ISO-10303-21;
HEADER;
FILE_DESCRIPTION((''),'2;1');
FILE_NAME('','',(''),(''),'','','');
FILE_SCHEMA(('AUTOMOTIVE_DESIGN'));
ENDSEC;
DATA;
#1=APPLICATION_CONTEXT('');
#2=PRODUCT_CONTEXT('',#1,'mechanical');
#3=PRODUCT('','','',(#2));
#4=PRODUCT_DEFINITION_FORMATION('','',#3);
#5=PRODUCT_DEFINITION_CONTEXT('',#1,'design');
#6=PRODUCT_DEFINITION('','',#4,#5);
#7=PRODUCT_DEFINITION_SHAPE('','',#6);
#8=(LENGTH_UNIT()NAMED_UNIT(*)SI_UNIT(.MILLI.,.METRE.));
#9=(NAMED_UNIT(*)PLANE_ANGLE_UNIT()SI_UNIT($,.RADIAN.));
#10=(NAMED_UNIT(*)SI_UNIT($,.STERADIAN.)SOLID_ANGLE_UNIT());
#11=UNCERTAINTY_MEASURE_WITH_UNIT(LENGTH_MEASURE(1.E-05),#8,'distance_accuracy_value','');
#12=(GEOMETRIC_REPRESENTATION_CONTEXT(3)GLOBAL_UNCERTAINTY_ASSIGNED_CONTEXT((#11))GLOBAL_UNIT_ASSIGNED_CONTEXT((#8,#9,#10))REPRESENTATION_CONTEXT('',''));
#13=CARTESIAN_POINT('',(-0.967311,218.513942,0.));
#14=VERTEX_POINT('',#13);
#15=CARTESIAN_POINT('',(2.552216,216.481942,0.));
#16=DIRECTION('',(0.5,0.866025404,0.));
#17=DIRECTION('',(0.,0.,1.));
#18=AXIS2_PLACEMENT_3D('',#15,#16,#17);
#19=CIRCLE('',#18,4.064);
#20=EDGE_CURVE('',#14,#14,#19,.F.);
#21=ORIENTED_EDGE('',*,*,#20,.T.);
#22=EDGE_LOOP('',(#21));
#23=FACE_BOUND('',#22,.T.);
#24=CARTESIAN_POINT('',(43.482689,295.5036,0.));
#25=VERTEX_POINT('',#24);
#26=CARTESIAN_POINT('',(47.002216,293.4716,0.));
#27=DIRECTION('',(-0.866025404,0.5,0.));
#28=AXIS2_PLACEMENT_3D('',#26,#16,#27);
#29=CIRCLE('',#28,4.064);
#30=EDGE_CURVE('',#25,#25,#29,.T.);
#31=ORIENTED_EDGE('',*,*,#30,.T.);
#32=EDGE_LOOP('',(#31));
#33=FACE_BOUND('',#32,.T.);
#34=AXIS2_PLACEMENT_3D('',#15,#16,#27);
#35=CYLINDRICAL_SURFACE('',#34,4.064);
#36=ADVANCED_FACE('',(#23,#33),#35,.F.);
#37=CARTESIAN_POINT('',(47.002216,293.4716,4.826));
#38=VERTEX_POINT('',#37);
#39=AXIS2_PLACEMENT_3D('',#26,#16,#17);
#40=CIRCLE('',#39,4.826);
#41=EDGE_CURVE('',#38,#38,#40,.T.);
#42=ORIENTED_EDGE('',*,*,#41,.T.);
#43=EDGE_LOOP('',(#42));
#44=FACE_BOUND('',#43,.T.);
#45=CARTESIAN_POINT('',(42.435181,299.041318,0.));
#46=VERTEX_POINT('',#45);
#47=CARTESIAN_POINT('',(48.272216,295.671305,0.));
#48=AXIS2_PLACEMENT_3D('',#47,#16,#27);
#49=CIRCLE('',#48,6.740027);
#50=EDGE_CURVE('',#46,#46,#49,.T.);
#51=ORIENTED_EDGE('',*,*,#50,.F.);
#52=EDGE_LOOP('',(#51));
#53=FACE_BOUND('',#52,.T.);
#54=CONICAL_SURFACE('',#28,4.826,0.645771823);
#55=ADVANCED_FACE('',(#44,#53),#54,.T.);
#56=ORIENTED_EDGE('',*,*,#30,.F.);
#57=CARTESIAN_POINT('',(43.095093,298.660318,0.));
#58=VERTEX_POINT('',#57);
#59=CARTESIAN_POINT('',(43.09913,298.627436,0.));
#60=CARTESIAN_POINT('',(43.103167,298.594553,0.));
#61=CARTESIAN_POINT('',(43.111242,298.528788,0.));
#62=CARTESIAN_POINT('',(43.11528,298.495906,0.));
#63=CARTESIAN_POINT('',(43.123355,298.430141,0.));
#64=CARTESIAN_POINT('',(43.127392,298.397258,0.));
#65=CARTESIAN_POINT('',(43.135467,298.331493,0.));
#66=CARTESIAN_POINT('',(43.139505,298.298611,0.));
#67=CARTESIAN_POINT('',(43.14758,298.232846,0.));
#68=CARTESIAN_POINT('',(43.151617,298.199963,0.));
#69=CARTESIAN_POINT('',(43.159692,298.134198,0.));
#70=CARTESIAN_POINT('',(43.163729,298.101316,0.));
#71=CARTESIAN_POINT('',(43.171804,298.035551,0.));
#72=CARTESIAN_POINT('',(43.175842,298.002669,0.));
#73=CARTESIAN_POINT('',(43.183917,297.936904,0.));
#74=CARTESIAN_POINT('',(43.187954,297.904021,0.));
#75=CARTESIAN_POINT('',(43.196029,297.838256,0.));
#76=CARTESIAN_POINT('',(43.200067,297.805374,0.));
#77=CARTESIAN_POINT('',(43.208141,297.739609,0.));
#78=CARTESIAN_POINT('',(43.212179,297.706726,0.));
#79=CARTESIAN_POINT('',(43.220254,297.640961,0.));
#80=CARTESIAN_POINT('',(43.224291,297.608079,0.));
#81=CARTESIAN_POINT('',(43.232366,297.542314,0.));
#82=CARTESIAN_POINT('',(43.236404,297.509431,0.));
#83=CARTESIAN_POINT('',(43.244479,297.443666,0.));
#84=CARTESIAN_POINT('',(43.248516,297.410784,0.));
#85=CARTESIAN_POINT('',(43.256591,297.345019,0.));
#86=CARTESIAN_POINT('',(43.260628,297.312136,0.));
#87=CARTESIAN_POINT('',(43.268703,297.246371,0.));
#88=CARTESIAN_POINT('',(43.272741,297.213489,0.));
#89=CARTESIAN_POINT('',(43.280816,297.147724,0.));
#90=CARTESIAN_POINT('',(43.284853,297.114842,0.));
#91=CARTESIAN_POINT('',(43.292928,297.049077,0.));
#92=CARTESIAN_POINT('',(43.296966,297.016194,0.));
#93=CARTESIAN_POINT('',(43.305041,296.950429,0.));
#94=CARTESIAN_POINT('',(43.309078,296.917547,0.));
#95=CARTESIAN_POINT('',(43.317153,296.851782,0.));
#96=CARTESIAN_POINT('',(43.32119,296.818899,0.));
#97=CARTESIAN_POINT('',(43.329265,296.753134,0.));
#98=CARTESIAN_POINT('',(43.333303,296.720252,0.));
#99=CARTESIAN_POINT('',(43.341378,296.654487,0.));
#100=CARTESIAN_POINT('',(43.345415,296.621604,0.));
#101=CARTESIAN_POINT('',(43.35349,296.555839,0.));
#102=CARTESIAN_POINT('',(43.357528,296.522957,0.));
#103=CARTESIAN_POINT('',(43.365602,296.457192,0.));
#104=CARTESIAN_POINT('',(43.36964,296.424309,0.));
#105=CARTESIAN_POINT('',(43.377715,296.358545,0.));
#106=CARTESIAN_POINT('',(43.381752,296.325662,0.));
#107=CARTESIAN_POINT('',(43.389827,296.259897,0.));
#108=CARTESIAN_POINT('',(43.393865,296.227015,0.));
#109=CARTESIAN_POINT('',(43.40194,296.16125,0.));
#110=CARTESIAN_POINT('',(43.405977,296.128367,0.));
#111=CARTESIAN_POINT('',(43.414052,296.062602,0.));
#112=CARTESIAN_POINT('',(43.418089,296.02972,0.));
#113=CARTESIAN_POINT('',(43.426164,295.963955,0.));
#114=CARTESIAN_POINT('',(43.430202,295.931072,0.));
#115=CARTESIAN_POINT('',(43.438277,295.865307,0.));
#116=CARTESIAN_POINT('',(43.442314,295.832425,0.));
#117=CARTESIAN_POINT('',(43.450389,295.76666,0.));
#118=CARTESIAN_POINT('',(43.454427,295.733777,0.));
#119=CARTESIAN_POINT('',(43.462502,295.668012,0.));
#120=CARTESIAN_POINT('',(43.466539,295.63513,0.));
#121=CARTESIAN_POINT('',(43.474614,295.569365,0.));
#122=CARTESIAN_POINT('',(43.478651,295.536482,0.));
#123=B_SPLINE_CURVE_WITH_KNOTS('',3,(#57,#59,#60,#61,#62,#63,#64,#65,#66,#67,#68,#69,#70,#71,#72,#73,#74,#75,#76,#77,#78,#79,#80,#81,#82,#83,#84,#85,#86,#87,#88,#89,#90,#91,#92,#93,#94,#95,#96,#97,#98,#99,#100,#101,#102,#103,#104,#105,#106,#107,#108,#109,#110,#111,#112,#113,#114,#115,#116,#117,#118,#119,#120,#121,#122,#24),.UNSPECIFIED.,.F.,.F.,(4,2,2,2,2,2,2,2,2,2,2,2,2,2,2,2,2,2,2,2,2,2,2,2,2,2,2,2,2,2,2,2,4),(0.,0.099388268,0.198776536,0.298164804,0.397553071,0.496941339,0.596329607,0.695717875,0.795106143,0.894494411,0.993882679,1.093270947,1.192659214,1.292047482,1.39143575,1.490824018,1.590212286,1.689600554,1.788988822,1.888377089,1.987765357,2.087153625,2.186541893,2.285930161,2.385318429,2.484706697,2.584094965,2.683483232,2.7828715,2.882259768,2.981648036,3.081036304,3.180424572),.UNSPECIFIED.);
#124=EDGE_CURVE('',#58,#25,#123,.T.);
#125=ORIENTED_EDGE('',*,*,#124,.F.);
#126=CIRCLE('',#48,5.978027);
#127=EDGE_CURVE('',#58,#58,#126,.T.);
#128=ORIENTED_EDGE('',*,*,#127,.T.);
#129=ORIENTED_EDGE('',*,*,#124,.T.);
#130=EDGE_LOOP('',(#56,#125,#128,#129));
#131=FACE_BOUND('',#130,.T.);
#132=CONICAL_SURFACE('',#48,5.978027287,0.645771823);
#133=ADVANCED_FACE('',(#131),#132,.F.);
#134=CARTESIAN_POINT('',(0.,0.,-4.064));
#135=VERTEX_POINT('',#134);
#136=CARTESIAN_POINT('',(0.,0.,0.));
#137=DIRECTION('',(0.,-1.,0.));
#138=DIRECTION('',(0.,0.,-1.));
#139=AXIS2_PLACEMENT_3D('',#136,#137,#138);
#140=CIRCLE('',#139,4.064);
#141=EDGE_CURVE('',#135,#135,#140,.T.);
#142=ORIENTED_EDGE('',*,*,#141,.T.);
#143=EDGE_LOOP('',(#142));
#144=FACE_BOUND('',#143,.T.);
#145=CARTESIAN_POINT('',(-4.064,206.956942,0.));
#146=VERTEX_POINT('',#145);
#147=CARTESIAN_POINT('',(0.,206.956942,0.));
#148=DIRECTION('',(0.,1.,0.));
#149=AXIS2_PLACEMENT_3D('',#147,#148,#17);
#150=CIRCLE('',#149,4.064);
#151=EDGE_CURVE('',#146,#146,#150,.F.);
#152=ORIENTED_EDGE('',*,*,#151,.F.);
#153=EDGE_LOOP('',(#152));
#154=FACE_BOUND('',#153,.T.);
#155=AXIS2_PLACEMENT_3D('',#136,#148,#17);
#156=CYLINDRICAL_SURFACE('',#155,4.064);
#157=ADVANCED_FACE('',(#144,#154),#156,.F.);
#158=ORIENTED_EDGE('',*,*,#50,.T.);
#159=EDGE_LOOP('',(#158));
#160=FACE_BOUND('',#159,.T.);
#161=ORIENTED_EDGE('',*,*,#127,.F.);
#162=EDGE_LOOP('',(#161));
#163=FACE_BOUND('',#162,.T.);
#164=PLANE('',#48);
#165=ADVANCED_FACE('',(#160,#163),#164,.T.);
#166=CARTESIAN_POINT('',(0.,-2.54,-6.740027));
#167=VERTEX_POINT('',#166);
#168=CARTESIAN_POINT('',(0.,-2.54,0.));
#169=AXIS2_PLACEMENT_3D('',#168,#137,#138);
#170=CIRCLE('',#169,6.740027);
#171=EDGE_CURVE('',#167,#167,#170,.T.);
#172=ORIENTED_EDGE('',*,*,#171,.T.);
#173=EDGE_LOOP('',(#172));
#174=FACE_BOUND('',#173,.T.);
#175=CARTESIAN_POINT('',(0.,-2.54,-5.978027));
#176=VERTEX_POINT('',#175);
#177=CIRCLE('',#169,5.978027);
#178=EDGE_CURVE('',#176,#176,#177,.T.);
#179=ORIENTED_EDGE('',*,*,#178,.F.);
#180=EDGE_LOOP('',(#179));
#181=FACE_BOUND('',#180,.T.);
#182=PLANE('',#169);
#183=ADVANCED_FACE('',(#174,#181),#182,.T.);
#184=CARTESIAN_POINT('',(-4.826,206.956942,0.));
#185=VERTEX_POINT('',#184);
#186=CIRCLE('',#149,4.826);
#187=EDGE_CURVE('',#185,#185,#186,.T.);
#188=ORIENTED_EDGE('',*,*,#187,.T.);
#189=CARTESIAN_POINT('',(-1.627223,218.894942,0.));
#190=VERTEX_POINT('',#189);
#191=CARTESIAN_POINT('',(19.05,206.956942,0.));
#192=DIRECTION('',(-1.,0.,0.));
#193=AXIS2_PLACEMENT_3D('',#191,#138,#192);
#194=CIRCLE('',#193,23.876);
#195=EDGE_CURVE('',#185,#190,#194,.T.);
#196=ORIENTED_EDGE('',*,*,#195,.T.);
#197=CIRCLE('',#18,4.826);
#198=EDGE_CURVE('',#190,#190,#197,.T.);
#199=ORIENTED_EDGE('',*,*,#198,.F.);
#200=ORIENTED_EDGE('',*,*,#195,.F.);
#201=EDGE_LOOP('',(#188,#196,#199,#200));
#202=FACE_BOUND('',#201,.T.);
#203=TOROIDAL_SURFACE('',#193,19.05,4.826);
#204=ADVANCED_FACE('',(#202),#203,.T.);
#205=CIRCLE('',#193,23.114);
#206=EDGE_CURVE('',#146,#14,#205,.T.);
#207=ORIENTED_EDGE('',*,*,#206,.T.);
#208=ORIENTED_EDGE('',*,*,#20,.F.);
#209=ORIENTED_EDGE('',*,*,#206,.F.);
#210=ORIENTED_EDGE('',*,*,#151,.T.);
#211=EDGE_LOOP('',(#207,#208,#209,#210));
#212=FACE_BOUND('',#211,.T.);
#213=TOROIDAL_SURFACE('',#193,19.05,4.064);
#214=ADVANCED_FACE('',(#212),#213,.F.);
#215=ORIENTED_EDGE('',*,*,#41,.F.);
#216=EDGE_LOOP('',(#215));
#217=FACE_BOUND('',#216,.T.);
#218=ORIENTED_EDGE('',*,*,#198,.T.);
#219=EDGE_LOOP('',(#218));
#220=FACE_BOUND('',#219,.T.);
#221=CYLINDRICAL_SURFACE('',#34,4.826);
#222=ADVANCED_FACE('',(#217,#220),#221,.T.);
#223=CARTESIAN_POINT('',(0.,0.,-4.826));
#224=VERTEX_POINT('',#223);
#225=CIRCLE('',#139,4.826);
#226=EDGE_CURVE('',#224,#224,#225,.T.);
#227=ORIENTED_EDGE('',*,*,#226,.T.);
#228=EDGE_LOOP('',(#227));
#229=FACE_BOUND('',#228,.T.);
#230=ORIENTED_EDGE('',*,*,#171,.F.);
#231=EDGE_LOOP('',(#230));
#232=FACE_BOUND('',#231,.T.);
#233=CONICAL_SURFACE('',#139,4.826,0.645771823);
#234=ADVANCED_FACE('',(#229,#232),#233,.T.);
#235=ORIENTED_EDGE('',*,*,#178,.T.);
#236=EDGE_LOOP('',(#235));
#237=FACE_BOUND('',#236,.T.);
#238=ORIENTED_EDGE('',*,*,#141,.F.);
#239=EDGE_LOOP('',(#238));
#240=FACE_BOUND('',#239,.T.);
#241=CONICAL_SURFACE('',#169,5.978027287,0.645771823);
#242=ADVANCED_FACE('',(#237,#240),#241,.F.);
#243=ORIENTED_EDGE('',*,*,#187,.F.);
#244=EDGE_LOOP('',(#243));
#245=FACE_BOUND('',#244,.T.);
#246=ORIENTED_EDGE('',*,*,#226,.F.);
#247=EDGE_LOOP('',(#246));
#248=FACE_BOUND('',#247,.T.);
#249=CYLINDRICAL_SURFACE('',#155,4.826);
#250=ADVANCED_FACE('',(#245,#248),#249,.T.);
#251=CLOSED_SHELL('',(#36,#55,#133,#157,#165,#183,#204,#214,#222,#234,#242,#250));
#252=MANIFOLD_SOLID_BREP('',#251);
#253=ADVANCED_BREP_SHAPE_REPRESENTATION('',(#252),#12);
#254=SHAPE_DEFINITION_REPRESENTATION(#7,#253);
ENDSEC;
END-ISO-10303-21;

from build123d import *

# Parameters (mm, degrees)
SKETCH1_R           = 4.826
SKETCH1_R_2         = 4.064
SKETCH3_R           = 4.826
BOSS_EXTRUDE1_DEPTH = 2.54
BOSS_EXTRUDE1_DRAFT = -37
SKETCH5_R           = 4.826
BOSS_EXTRUDE2_DEPTH = 2.54
BOSS_EXTRUDE2_DRAFT = -37


with BuildPart() as part:
    # Sweep1: sweep along a path in Sketch2
    with BuildLine(Plane.XY) as sweep1_path:
        Line((0, 0), (0, 206.956941604))
        ThreePointArc((0, 206.956941604), (0.649113009, 211.887444413), (2.552216058, 216.481941604))
        Line((2.552216058, 216.481941604), (47.002216058, 293.4716))
    # Sketch1 → Sweep1 (sweep)
    with BuildSketch(Plane(origin=(0, 0, 0), x_dir=(1, 0, 0), z_dir=(0, 1, 0))):
        Circle(SKETCH1_R)
        Circle(SKETCH1_R_2, mode=Mode.SUBTRACT)
    sweep(path=sweep1_path.line)


with BuildPart() as boss_extrude1_tool:
    # Sketch3 → Boss-Extrude1 (with draft: the straight prism first)
    with BuildSketch(Plane.XZ):
        with Locations(Location((0, 0, 0), (0, 0, 180))):
            Circle(SKETCH3_R)
    extrude(amount=BOSS_EXTRUDE1_DEPTH)
    # Boss-Extrude1: the draft: its side faces are tilted about the plane it starts from
    boss_extrude1_sides = [boss_extrude1_tool.faces().sort_by_distance(p)[0] for p in [
        (4.826, -1.27, 0),
    ]]
    draft(boss_extrude1_sides, Plane.XZ, BOSS_EXTRUDE1_DRAFT)


with BuildPart() as part_1:
    add(part.part)

    # Boss-Extrude1: add boss_extrude1_tool
    add(boss_extrude1_tool.part)

    # Cut-Extrude1 cone 1 section (through the dimple's axis) → Cut-Extrude1 (revolve, cut)
    with BuildSketch(Plane(origin=(0, -2.54, 0), x_dir=(0, 0, -1), z_dir=(1, 0, 0))):
        Polygon((0, 0), (5.978027287, 0), (0, 7.933110155), align=None)
    revolve(axis=Axis((0, -2.54, 0), (0, 1, 0)), mode=Mode.SUBTRACT)


with BuildPart() as boss_extrude2_tool:
    # Sketch5 → Boss-Extrude2 (with draft: the straight prism first)
    with BuildSketch(Plane(origin=(138.827484459, 240.45625657, 0), x_dir=(0, 0, -1), z_dir=(0.5000000000000008, 0.8660254037844382, 0))):
        with Locations(Location((0, 106.03068686, 0), (0, 0, 90))):
            Circle(SKETCH5_R)
    extrude(amount=BOSS_EXTRUDE2_DEPTH)
    # Boss-Extrude2: the draft: its side faces are tilted about the plane it starts from
    boss_extrude2_sides = [boss_extrude2_tool.faces().sort_by_distance(p)[0] for p in [
        (51.816654657, 292.158452263, 0),
    ]]
    draft(boss_extrude2_sides, Plane(origin=(138.827484459, 240.45625657, 0), x_dir=(0, 0, -1), z_dir=(0.5000000000000008, 0.8660254037844382, 0)), BOSS_EXTRUDE2_DRAFT)


with BuildPart() as part_2:
    add(part_1.part)

    # Boss-Extrude2: add boss_extrude2_tool
    add(boss_extrude2_tool.part)

    # Cut-Extrude2 cone 1 section (through the dimple's axis) → Cut-Extrude2 (revolve, cut)
    with BuildSketch(Plane(origin=(48.272216058, 295.671304526, 0), x_dir=(0, 0, 1), z_dir=(0.866025404, -0.5, 0))):
        Polygon((0, 0), (5.978027287, 0), (0, 7.933110155), align=None)
    revolve(axis=Axis((48.272216058, 295.671304526, 0), (-0.5, -0.866025404, 0)), mode=Mode.SUBTRACT)


solid = part_2.part
